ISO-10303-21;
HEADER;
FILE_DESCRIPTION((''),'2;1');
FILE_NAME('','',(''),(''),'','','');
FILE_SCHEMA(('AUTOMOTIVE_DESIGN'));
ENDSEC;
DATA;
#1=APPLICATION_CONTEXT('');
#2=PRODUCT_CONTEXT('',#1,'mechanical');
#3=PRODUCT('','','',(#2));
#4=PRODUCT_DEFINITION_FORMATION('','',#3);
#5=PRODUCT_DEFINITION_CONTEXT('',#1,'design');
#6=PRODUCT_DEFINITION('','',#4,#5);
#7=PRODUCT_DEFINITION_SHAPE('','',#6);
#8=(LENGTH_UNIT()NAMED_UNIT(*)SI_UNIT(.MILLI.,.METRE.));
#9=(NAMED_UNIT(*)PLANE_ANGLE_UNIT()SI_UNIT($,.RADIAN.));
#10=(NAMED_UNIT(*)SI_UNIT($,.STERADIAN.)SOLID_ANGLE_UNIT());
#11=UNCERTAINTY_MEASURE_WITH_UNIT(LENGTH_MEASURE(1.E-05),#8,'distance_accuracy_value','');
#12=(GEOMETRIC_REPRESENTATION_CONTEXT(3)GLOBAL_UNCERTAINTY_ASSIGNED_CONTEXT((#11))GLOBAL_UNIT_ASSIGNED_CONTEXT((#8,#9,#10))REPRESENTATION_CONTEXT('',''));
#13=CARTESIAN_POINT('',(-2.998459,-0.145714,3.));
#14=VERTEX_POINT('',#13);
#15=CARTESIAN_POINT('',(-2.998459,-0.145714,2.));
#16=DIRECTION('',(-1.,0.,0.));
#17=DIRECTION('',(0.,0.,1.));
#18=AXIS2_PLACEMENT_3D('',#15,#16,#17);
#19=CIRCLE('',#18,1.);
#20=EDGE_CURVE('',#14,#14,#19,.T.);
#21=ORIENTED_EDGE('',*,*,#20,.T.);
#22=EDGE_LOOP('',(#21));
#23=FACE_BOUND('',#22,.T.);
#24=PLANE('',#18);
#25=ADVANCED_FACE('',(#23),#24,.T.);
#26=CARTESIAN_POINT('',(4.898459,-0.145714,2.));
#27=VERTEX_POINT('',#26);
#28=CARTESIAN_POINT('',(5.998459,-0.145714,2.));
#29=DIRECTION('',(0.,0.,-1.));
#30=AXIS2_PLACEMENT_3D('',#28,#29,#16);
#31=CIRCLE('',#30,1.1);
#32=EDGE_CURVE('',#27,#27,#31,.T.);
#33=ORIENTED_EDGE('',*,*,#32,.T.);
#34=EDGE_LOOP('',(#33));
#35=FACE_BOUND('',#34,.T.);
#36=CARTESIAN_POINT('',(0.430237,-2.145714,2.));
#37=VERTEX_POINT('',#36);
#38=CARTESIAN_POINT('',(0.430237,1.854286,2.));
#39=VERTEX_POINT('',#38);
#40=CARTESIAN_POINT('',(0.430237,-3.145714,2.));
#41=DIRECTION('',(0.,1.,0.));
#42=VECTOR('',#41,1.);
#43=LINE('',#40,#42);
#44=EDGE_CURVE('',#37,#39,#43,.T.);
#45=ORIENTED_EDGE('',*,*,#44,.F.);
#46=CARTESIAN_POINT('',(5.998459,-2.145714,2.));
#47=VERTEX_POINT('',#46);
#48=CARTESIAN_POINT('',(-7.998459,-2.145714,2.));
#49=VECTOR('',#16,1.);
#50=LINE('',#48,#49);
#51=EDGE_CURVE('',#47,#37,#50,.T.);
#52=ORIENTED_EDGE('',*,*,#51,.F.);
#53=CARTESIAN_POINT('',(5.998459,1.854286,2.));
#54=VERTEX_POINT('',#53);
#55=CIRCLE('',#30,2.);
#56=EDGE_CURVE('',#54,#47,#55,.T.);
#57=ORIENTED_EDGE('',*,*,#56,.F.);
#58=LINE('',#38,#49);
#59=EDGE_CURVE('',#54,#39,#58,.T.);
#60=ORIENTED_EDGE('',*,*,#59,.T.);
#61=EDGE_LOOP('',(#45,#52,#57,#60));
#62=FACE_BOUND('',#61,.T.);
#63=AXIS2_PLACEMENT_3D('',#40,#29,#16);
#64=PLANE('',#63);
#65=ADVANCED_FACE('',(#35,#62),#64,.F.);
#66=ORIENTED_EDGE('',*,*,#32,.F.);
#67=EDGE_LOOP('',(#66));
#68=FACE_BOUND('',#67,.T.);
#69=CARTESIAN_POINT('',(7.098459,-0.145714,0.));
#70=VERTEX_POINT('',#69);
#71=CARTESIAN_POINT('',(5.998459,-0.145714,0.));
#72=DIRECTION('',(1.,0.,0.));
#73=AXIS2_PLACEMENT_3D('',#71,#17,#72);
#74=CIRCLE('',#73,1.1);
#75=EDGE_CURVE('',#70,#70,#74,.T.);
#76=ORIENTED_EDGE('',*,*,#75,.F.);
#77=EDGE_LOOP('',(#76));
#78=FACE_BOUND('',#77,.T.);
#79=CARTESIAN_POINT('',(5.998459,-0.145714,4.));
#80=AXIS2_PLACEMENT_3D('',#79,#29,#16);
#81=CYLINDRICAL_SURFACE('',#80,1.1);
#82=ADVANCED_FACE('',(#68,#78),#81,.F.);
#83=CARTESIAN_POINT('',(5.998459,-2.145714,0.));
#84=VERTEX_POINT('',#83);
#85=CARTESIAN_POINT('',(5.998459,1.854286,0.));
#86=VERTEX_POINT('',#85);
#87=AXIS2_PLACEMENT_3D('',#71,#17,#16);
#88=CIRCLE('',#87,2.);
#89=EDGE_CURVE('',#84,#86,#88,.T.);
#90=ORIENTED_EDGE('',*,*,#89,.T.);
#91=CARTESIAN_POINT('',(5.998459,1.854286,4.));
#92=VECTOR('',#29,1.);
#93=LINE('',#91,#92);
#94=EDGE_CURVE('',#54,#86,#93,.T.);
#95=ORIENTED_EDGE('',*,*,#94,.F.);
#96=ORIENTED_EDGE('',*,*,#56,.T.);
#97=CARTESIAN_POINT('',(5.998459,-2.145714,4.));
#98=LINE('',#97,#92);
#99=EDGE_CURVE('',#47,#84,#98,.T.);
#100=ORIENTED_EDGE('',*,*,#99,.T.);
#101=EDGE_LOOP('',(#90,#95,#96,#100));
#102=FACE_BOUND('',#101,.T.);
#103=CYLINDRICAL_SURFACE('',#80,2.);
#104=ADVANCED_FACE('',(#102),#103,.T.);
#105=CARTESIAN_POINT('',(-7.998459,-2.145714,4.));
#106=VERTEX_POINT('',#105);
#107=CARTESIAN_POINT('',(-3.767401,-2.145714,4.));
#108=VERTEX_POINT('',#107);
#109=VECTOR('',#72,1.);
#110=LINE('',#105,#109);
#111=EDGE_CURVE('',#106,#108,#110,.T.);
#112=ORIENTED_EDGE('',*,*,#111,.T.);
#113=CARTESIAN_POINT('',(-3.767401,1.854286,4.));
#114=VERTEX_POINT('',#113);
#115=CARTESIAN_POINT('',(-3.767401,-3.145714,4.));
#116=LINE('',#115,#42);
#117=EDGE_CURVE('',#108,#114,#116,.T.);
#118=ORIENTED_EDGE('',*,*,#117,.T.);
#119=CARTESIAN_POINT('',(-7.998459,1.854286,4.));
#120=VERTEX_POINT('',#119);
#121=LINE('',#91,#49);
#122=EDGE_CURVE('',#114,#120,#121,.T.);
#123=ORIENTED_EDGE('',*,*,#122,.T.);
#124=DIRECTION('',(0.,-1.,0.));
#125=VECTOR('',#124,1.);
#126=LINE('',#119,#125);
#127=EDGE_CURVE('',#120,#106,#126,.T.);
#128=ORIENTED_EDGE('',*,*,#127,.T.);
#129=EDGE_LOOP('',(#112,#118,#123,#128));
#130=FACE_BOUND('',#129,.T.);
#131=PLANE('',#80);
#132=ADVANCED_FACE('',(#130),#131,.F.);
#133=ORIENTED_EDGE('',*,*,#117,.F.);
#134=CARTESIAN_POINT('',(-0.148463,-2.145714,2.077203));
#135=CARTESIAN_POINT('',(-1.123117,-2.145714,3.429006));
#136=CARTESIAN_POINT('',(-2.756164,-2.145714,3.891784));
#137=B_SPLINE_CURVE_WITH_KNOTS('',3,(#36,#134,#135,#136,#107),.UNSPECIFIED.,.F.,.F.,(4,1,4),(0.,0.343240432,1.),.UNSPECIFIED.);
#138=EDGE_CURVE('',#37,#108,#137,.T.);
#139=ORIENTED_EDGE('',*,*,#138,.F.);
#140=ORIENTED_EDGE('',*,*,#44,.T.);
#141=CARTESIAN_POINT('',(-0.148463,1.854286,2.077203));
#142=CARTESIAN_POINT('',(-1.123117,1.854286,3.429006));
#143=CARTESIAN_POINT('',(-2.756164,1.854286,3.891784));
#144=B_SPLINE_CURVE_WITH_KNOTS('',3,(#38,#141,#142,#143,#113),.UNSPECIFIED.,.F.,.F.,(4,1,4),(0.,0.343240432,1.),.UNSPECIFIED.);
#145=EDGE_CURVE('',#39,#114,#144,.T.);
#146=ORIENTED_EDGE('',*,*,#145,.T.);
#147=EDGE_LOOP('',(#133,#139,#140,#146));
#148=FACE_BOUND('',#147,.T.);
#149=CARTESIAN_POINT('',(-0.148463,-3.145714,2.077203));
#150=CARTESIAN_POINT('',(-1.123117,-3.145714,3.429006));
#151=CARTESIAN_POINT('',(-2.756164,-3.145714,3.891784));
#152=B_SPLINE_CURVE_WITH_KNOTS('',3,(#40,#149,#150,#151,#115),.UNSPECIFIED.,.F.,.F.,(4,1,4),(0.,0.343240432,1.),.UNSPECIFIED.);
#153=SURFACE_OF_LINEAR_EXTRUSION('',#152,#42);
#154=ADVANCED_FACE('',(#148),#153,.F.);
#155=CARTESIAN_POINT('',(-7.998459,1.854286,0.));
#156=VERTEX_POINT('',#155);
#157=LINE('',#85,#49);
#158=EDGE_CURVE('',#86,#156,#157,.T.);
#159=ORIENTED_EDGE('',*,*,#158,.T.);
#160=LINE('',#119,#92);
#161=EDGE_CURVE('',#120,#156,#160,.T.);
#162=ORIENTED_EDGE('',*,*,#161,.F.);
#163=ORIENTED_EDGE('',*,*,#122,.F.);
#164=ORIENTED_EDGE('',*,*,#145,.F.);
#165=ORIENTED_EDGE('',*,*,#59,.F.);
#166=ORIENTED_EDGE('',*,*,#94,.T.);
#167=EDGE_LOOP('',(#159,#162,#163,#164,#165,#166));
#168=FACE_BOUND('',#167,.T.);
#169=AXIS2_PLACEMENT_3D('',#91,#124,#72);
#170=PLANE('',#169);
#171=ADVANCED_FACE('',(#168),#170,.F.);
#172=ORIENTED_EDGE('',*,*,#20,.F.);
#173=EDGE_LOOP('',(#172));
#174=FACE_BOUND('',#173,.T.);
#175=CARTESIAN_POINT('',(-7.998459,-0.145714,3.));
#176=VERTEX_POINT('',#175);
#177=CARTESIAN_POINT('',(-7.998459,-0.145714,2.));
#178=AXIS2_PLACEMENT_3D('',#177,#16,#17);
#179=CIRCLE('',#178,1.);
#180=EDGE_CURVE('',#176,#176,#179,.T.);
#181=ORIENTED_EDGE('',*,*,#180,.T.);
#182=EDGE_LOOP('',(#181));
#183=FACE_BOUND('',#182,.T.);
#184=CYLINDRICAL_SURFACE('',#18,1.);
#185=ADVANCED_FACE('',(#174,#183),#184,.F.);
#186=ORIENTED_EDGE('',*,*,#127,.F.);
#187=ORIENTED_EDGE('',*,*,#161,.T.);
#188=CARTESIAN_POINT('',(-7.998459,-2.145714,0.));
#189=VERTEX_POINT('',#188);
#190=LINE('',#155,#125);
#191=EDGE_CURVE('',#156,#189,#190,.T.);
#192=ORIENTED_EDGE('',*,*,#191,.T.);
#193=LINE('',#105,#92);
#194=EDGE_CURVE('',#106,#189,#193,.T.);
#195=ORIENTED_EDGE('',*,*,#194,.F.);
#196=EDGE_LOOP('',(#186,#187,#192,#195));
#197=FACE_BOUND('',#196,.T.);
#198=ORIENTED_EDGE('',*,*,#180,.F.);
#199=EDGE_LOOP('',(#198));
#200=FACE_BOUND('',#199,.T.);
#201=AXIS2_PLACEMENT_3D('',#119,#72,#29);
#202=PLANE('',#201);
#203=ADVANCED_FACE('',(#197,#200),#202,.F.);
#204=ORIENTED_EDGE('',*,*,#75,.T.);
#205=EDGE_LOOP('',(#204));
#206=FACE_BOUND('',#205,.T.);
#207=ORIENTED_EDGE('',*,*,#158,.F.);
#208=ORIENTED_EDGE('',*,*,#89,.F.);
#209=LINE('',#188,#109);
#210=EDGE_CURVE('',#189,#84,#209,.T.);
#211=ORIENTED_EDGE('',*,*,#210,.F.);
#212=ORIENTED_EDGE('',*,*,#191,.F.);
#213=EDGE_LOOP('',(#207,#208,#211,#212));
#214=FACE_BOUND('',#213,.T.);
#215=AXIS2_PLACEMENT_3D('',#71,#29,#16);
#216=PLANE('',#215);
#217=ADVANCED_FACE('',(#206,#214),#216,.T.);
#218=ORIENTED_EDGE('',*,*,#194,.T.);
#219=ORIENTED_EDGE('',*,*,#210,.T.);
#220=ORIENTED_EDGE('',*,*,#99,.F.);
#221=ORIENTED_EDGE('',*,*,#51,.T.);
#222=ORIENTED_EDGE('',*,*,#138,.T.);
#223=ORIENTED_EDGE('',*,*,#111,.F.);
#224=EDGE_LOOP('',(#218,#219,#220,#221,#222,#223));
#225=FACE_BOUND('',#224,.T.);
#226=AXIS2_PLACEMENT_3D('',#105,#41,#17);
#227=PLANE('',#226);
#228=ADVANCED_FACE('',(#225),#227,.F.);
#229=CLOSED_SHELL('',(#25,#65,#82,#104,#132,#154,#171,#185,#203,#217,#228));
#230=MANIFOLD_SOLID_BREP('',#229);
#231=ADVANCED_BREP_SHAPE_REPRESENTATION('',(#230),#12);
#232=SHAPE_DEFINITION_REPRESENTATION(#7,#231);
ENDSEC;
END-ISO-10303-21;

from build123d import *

# Parameters (mm, degrees)
SKETCH_2_R          = 1.100000024
EXTRUDE_1_DEPTH     = 4
SKETCH_4_R          = 1
CUT_EXTRUDE_1_DEPTH = 5
CUT_EXTRUDE_2_DEPTH = 5


with BuildPart() as part:
    # 草图2 → 凸台-拉伸1 (new body)
    with BuildSketch(Plane.XY):
        with BuildLine():
            Line((5.998458769, 1.854285714), (-7.998458769, 1.854285714))
            Line((-7.998458769, 1.854285714), (-7.998458769, -2.145714286))
            Line((-7.998458769, -2.145714286), (5.998458769, -2.145714286))
            ThreePointArc((5.998458769, -2.145714286), (7.998458769, -0.145714286), (5.998458769, 1.854285714))
        make_face()
        with Locations((5.998458956, -0.145714128)):
            Circle(SKETCH_2_R, mode=Mode.SUBTRACT)
    extrude(amount=EXTRUDE_1_DEPTH)

    # 草图4 → 切除-拉伸1 (cut)
    with BuildSketch(Plane.ZY.offset(7.998458769)):
        with Locations((2, -0.145714286)):
            Circle(SKETCH_4_R)
    extrude(amount=-CUT_EXTRUDE_1_DEPTH, mode=Mode.SUBTRACT)

    # 草图6 → 切除-拉伸2 (cut)
    with BuildSketch(Plane(origin=(0, 1.854285714, 0), x_dir=(1, 0, 0), z_dir=(0, 1, 0))):
        with BuildLine():
            Line((0.430237449, -2), (8.42228294, -2))
            Line((8.42228294, -2), (8.42228294, -4.483544919))
            Line((8.42228294, -4.483544919), (-3.767400724, -4))
            add(Edge.make_bspline(
                [(-3.767400724, -4), (-2.756163947, -3.891783592), (-1.123117091, -3.429006158), (-0.148462867, -2.077202756), (0.430237449, -2)],
                knots=[0, 0, 0, 0, 0.656759568, 1, 1, 1, 1], degree=3))
        make_face()
    extrude(amount=-CUT_EXTRUDE_2_DEPTH, mode=Mode.SUBTRACT)


solid = part.part
